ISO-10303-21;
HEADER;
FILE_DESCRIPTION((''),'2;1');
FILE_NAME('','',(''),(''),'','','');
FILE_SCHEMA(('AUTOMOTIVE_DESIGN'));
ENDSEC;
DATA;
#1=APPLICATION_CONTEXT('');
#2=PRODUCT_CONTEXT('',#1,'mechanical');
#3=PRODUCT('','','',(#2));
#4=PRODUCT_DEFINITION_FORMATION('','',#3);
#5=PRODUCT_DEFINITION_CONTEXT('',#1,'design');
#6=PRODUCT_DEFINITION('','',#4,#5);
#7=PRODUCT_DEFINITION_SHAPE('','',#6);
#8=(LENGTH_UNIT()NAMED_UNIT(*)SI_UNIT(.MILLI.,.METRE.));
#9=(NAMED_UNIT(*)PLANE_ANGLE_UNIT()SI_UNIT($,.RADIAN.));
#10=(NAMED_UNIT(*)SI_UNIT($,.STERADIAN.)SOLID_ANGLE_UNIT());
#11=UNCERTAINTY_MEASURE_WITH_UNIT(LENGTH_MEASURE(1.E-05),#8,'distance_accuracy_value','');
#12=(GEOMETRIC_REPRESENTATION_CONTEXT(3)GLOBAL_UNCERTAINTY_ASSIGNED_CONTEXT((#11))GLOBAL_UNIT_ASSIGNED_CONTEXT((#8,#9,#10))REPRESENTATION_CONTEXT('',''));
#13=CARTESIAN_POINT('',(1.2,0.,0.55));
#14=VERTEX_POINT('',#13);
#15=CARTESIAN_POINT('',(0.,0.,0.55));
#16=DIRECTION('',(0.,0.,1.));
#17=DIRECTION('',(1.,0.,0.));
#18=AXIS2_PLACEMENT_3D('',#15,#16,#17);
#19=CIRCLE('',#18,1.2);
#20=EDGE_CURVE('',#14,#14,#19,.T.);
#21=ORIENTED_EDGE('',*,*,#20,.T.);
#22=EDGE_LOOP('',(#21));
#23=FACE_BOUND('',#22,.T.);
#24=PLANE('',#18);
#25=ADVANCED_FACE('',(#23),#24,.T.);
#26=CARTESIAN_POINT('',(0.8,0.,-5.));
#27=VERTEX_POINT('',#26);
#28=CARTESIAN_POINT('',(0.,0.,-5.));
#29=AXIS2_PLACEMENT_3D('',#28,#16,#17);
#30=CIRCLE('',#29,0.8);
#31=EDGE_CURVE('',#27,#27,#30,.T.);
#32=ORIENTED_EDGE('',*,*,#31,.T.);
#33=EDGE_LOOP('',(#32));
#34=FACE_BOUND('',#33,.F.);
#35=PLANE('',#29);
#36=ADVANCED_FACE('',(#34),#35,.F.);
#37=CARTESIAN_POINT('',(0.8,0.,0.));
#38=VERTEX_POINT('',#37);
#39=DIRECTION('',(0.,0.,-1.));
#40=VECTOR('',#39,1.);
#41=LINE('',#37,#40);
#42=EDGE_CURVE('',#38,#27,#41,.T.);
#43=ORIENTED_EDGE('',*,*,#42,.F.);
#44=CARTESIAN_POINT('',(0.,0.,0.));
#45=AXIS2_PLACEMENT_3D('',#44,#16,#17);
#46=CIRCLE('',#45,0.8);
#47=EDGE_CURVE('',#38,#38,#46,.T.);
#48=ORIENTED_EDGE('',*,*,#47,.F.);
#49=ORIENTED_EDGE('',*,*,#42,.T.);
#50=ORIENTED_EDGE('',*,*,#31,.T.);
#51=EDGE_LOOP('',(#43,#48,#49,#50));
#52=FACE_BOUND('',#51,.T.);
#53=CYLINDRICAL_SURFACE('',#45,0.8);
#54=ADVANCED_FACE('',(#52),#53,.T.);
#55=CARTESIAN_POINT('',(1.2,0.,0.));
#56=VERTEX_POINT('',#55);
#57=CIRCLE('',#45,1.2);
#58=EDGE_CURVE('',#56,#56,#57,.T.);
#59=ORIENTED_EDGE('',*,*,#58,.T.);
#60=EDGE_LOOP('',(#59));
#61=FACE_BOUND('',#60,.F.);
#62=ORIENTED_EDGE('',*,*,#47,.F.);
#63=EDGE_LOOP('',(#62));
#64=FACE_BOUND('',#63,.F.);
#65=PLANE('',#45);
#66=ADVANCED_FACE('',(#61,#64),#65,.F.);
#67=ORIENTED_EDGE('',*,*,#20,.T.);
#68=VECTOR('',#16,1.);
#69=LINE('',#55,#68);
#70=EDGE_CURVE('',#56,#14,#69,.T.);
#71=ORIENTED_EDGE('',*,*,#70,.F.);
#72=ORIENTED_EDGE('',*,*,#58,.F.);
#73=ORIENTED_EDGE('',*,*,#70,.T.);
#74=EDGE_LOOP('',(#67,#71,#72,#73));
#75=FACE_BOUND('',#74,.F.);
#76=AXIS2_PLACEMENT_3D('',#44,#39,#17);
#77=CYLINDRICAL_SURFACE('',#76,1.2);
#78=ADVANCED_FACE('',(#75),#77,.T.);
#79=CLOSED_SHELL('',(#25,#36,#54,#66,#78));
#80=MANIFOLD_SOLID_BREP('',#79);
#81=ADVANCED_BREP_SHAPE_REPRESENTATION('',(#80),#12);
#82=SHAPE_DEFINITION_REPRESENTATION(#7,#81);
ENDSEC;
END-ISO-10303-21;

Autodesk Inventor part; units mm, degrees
ref_plane "YZ Plane" through (0, 0, 0) normal (1, 0, 0) x (0, 1, 0)
ref_plane "XZ Plane" through (0, 0, 0) normal (0, 1, 0) x (-1, 0, 0)
ref_plane "XY Plane" through (0, 0, 0) normal (0, 0, 1) x (1, 0, 0)
sketch "スケッチ2" plane through (0, 0, 0) normal (0, 0, 1) x (1, 0, 0)
  circle A0 centre (0, 0) radius 1.2
  circle A1 centre (0, 0) radius 0.8
  dimension "d1" = 2.4
  dimension "d2" = 1.6
extrude "押し出し1" add sketch "スケッチ2" along normal blind 0.55 contours A0 | A1
extrude "押し出し2" add sketch "スケッチ2" against normal blind 5 contours A1
properties part number "m1.6_4_なべ小ねじ0番"
